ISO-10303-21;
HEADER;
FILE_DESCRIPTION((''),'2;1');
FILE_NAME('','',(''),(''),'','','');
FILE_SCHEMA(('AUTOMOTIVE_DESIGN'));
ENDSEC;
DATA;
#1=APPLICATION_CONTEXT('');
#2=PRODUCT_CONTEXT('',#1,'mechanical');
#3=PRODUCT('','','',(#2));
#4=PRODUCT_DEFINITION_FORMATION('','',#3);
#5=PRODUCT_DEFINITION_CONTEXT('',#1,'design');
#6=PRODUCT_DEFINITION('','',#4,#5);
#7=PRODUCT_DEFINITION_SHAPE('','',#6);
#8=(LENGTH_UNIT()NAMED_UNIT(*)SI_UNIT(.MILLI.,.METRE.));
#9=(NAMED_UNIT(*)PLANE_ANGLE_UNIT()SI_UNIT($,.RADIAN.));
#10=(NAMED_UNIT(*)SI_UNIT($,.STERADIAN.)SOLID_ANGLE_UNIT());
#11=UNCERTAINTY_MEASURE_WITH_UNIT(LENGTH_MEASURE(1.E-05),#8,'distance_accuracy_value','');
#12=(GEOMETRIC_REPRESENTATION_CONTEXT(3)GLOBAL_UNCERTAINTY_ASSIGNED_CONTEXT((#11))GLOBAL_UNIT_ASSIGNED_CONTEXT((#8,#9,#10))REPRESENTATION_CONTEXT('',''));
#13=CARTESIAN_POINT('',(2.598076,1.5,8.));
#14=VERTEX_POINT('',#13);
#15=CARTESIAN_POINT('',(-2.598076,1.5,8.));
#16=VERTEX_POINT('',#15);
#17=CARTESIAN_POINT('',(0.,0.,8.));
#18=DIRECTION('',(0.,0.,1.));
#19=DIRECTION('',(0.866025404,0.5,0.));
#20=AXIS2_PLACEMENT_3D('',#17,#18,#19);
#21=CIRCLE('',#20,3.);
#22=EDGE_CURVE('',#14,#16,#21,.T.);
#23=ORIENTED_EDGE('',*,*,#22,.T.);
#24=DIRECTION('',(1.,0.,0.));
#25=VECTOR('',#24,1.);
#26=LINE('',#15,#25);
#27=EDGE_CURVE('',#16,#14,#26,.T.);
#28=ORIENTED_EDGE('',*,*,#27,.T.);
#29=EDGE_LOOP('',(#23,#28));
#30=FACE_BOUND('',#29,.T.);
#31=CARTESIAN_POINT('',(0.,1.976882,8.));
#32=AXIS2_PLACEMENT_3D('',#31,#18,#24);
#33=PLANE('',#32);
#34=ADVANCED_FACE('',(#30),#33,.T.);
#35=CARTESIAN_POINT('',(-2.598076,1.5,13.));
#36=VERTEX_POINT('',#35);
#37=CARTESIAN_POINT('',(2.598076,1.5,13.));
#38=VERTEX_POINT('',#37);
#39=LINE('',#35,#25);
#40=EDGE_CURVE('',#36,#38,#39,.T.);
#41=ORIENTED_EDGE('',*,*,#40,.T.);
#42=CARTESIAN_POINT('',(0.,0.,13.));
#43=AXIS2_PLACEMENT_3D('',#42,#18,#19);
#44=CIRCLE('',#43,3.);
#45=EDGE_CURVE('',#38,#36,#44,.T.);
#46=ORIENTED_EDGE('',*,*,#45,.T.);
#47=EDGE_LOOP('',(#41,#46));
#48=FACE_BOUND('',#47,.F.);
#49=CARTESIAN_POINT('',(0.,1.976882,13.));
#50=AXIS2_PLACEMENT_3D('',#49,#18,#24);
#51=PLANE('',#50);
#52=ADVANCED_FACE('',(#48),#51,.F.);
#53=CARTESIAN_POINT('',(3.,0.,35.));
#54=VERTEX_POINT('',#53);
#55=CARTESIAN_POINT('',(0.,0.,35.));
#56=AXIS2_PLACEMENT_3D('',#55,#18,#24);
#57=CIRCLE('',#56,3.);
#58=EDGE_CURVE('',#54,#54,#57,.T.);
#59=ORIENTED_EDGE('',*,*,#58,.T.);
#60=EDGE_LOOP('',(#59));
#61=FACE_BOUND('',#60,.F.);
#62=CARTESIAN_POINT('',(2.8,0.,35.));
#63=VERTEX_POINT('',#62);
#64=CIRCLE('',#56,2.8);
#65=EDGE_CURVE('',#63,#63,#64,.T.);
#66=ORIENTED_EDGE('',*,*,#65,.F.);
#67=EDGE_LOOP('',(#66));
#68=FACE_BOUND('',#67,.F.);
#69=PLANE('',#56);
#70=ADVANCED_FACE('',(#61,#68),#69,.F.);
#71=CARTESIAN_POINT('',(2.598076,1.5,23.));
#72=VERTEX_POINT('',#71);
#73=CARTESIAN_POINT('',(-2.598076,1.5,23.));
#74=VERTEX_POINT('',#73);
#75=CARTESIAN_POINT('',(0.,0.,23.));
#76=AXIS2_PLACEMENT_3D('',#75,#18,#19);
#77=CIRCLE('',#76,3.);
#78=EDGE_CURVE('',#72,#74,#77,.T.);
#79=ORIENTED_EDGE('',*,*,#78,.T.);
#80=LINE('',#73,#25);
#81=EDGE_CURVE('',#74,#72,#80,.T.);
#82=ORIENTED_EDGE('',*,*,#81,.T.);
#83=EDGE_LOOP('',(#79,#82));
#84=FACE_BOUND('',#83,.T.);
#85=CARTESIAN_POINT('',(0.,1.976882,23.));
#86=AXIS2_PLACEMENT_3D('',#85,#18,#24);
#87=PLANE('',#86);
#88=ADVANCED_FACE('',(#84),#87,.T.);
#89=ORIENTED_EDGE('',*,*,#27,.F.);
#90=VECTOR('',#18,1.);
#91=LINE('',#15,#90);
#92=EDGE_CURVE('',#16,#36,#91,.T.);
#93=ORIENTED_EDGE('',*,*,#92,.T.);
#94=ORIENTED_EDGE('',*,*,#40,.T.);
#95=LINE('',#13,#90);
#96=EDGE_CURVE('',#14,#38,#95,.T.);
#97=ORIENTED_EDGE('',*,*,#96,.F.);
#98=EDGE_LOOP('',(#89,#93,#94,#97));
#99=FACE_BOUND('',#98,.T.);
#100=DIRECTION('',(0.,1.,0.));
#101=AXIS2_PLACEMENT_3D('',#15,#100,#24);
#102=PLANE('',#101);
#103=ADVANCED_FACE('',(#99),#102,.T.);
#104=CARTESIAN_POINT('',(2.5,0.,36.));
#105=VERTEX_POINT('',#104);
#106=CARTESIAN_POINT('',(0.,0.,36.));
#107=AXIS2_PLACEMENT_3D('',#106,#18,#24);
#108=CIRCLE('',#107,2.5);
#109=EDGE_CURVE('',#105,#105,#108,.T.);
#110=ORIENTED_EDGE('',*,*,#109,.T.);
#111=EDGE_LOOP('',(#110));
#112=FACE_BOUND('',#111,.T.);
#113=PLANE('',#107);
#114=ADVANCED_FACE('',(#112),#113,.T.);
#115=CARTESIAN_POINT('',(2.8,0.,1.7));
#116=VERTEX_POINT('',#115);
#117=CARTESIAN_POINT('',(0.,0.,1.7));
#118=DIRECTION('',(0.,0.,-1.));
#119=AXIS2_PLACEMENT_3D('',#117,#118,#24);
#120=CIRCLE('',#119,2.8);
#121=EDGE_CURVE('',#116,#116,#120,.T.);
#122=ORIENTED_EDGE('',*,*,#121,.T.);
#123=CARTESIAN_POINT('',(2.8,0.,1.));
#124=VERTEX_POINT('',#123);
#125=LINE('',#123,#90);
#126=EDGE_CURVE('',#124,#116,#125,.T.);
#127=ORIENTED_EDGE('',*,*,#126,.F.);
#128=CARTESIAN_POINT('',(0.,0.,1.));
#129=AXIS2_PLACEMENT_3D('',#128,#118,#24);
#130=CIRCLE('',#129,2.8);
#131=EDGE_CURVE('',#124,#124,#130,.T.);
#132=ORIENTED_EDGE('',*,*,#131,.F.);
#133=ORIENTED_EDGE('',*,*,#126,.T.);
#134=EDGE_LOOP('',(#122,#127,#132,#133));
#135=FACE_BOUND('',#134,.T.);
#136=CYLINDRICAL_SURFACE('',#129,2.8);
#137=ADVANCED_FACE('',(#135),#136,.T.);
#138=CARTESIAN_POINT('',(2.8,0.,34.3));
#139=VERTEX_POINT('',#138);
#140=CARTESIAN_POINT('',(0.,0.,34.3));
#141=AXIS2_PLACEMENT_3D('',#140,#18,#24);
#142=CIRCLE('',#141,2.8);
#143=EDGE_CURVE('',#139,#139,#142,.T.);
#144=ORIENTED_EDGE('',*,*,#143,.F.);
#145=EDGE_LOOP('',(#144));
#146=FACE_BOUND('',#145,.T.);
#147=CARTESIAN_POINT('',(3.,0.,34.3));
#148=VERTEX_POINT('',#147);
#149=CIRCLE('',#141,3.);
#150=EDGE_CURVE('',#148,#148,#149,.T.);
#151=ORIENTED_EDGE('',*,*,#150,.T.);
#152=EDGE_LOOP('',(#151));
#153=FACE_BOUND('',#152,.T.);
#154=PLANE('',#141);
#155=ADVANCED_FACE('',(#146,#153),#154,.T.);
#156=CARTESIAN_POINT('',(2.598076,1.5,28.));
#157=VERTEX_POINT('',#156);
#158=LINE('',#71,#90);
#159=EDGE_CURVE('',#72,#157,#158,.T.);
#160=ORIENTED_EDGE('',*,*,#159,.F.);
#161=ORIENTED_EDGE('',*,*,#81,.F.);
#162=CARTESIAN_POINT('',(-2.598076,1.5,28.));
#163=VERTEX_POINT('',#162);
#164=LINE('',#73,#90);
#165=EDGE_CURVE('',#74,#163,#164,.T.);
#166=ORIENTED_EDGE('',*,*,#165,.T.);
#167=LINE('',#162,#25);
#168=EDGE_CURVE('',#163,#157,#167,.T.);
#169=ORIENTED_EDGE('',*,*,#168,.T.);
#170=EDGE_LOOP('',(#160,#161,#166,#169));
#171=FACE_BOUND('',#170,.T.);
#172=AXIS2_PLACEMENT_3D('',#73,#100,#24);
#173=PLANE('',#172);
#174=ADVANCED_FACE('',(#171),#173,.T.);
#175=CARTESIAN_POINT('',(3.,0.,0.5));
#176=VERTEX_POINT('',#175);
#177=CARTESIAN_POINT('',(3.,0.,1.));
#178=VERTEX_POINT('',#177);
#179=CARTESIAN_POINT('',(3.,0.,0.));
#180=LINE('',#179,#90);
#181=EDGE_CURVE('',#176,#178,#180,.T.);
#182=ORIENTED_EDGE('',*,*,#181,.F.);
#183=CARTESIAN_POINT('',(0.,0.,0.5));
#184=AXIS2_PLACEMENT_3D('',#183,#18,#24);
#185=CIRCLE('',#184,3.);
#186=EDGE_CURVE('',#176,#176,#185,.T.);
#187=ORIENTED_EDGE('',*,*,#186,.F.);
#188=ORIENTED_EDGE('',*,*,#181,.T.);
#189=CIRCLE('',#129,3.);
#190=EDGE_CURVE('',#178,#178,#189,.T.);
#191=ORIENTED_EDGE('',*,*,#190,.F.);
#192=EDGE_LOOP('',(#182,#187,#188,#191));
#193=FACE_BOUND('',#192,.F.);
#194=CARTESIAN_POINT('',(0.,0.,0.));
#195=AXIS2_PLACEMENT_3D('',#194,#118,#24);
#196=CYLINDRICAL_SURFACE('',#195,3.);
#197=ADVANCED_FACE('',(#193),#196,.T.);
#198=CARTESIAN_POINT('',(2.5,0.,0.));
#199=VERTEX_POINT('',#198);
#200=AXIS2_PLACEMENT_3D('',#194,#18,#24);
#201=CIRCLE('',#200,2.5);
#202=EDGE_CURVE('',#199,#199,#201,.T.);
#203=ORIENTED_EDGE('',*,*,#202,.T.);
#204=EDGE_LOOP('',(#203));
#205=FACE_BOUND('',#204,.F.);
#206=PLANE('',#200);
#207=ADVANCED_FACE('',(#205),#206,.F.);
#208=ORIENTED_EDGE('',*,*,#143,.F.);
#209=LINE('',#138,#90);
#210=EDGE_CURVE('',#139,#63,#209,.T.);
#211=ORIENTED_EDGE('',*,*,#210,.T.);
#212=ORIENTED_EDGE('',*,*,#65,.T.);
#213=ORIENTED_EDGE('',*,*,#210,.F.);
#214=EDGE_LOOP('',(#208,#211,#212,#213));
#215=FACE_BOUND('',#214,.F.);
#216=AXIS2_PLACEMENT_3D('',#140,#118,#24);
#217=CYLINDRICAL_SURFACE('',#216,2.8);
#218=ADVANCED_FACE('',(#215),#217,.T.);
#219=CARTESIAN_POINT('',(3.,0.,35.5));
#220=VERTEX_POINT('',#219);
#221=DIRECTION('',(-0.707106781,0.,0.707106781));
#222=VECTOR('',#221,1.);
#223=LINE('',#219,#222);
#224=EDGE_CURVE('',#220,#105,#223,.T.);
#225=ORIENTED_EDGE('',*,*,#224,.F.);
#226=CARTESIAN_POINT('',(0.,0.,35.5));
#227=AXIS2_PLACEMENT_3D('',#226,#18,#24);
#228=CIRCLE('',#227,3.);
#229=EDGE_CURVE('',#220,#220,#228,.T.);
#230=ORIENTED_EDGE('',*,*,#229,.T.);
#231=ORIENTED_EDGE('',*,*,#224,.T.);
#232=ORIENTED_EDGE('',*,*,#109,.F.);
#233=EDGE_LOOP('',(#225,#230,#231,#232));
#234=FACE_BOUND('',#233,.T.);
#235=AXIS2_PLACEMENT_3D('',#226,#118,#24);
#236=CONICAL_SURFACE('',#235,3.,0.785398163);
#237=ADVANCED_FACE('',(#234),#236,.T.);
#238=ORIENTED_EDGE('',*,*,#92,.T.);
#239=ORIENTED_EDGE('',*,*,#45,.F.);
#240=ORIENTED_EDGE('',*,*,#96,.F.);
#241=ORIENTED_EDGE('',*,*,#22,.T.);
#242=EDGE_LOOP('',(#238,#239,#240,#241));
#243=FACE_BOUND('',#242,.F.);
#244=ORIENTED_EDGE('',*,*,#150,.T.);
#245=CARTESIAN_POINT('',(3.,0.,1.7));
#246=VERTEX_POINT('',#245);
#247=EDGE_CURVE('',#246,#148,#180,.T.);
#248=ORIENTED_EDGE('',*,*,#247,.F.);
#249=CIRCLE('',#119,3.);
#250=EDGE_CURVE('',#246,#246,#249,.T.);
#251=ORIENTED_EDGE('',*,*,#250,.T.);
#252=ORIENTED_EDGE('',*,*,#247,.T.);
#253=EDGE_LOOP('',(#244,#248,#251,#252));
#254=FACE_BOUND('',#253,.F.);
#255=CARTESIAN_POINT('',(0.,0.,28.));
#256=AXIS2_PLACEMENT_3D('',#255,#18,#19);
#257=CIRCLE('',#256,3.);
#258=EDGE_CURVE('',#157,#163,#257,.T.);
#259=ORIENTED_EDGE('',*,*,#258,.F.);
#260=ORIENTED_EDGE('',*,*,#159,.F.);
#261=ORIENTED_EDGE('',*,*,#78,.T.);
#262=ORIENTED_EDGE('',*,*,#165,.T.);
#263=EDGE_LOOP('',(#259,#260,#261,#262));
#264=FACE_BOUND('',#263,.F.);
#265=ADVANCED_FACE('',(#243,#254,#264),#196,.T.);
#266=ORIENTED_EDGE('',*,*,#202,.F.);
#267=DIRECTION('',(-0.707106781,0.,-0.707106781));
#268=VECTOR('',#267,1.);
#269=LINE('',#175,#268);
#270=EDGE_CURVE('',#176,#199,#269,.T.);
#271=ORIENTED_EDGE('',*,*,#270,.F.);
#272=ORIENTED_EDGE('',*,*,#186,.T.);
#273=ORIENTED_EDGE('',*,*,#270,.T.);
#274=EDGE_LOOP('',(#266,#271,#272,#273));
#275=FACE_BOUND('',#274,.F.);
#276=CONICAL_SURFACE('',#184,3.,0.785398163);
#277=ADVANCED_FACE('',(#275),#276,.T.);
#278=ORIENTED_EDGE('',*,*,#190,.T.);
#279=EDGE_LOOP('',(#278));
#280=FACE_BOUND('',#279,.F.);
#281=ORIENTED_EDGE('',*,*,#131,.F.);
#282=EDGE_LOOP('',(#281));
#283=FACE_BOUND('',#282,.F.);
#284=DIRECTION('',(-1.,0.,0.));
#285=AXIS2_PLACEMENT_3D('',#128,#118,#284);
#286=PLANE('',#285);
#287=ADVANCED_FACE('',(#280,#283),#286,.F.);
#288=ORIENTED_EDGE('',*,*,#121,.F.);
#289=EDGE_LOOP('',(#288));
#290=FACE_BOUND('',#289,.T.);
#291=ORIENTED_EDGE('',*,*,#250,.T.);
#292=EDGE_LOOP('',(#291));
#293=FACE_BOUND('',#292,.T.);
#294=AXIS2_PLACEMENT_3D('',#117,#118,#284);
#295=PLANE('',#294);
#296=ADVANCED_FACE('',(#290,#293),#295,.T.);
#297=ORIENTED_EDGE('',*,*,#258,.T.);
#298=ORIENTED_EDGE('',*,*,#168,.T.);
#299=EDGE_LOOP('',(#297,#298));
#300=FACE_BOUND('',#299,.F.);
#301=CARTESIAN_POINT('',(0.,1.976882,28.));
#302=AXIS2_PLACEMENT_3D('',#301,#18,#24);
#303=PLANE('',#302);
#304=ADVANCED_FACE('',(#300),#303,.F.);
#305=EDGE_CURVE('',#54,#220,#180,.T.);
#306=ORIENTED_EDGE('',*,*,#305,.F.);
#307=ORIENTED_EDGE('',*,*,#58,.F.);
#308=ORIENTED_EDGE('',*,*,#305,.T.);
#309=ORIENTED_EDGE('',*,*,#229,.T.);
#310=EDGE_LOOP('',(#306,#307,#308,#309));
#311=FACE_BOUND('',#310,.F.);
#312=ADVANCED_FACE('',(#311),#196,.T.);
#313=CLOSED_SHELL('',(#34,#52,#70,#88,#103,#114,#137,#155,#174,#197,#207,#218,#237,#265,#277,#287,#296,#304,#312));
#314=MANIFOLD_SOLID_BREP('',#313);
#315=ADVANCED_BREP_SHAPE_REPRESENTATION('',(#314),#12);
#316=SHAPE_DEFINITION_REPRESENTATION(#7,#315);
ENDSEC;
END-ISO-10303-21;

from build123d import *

# Parameters (mm, degrees)
SZKIC1_R                    = 3
DODANIE_WYCI_GNI_CIE1_DEPTH = 36
SFAZOWANIE1_SIZE            = 0.5
WYTNIJ_WYCI_GNI_CIE1_START  = -1.7
SZKIC2_R                    = 3
SZKIC2_R_2                  = 2.8
WYTNIJ_WYCI_GNI_CIE1_DEPTH  = 0.7
WYTNIJ_WYCI_GNI_CIE2_START  = -1
SZKIC3_R                    = 3
SZKIC3_R_2                  = 2.8
WYTNIJ_WYCI_GNI_CIE2_DEPTH  = 0.7
WYTNIJ_WYCI_GNI_CIE3_START  = -13
WYTNIJ_WYCI_GNI_CIE3_DEPTH  = 5
WYTNIJ_WYCI_GNI_CIE4_START  = -28
WYTNIJ_WYCI_GNI_CIE4_DEPTH  = 5


with BuildPart() as part:
    # Szkic1 → Dodanie-wyciągnięcie1 (new body)
    with BuildSketch(Plane.XY):
        Circle(SZKIC1_R)
    extrude(amount=DODANIE_WYCI_GNI_CIE1_DEPTH)

    # Sfazowanie1
    sfazowanie1_edges = [part.edges().sort_by_distance(p)[0] for p in [
        (-3, 0, 0),
        (-3, 0, 36),
    ]]
    chamfer(sfazowanie1_edges, length=SFAZOWANIE1_SIZE)

    # Szkic2 → Wytnij-wyciągnięcie1 (cut)
    with BuildSketch(Plane.XY.offset(36).offset(WYTNIJ_WYCI_GNI_CIE1_START)):
        Circle(SZKIC2_R)
        Circle(SZKIC2_R_2, mode=Mode.SUBTRACT)
    extrude(amount=WYTNIJ_WYCI_GNI_CIE1_DEPTH, mode=Mode.SUBTRACT)

    # Szkic3 → Wytnij-wyciągnięcie2 (cut)
    with BuildSketch(Plane(origin=(0, 0, 0), x_dir=(-1, 0, 0), z_dir=(0, 0, -1)).offset(WYTNIJ_WYCI_GNI_CIE2_START)):
        Circle(SZKIC3_R)
        Circle(SZKIC3_R_2, mode=Mode.SUBTRACT)
    extrude(amount=-WYTNIJ_WYCI_GNI_CIE2_DEPTH, mode=Mode.SUBTRACT)

    # Szkic4 → Wytnij-wyciągnięcie3 (cut)
    with BuildSketch(Plane.XY.offset(36).offset(WYTNIJ_WYCI_GNI_CIE3_START)):
        with BuildLine():
            Line((-2.598076211, 1.5), (2.598076211, 1.5))
            ThreePointArc((2.598076211, 1.5), (0, 3), (-2.598076211, 1.5))
        make_face()
    extrude(amount=WYTNIJ_WYCI_GNI_CIE3_DEPTH, mode=Mode.SUBTRACT)

    # Szkic4<2> → Wytnij-wyciągnięcie4 (cut)
    with BuildSketch(Plane.XY.offset(36).offset(WYTNIJ_WYCI_GNI_CIE4_START)):
        with BuildLine():
            Line((-2.598076211, 1.5), (2.598076211, 1.5))
            ThreePointArc((2.598076211, 1.5), (0, 3), (-2.598076211, 1.5))
        make_face()
    extrude(amount=WYTNIJ_WYCI_GNI_CIE4_DEPTH, mode=Mode.SUBTRACT)


solid = part.part
